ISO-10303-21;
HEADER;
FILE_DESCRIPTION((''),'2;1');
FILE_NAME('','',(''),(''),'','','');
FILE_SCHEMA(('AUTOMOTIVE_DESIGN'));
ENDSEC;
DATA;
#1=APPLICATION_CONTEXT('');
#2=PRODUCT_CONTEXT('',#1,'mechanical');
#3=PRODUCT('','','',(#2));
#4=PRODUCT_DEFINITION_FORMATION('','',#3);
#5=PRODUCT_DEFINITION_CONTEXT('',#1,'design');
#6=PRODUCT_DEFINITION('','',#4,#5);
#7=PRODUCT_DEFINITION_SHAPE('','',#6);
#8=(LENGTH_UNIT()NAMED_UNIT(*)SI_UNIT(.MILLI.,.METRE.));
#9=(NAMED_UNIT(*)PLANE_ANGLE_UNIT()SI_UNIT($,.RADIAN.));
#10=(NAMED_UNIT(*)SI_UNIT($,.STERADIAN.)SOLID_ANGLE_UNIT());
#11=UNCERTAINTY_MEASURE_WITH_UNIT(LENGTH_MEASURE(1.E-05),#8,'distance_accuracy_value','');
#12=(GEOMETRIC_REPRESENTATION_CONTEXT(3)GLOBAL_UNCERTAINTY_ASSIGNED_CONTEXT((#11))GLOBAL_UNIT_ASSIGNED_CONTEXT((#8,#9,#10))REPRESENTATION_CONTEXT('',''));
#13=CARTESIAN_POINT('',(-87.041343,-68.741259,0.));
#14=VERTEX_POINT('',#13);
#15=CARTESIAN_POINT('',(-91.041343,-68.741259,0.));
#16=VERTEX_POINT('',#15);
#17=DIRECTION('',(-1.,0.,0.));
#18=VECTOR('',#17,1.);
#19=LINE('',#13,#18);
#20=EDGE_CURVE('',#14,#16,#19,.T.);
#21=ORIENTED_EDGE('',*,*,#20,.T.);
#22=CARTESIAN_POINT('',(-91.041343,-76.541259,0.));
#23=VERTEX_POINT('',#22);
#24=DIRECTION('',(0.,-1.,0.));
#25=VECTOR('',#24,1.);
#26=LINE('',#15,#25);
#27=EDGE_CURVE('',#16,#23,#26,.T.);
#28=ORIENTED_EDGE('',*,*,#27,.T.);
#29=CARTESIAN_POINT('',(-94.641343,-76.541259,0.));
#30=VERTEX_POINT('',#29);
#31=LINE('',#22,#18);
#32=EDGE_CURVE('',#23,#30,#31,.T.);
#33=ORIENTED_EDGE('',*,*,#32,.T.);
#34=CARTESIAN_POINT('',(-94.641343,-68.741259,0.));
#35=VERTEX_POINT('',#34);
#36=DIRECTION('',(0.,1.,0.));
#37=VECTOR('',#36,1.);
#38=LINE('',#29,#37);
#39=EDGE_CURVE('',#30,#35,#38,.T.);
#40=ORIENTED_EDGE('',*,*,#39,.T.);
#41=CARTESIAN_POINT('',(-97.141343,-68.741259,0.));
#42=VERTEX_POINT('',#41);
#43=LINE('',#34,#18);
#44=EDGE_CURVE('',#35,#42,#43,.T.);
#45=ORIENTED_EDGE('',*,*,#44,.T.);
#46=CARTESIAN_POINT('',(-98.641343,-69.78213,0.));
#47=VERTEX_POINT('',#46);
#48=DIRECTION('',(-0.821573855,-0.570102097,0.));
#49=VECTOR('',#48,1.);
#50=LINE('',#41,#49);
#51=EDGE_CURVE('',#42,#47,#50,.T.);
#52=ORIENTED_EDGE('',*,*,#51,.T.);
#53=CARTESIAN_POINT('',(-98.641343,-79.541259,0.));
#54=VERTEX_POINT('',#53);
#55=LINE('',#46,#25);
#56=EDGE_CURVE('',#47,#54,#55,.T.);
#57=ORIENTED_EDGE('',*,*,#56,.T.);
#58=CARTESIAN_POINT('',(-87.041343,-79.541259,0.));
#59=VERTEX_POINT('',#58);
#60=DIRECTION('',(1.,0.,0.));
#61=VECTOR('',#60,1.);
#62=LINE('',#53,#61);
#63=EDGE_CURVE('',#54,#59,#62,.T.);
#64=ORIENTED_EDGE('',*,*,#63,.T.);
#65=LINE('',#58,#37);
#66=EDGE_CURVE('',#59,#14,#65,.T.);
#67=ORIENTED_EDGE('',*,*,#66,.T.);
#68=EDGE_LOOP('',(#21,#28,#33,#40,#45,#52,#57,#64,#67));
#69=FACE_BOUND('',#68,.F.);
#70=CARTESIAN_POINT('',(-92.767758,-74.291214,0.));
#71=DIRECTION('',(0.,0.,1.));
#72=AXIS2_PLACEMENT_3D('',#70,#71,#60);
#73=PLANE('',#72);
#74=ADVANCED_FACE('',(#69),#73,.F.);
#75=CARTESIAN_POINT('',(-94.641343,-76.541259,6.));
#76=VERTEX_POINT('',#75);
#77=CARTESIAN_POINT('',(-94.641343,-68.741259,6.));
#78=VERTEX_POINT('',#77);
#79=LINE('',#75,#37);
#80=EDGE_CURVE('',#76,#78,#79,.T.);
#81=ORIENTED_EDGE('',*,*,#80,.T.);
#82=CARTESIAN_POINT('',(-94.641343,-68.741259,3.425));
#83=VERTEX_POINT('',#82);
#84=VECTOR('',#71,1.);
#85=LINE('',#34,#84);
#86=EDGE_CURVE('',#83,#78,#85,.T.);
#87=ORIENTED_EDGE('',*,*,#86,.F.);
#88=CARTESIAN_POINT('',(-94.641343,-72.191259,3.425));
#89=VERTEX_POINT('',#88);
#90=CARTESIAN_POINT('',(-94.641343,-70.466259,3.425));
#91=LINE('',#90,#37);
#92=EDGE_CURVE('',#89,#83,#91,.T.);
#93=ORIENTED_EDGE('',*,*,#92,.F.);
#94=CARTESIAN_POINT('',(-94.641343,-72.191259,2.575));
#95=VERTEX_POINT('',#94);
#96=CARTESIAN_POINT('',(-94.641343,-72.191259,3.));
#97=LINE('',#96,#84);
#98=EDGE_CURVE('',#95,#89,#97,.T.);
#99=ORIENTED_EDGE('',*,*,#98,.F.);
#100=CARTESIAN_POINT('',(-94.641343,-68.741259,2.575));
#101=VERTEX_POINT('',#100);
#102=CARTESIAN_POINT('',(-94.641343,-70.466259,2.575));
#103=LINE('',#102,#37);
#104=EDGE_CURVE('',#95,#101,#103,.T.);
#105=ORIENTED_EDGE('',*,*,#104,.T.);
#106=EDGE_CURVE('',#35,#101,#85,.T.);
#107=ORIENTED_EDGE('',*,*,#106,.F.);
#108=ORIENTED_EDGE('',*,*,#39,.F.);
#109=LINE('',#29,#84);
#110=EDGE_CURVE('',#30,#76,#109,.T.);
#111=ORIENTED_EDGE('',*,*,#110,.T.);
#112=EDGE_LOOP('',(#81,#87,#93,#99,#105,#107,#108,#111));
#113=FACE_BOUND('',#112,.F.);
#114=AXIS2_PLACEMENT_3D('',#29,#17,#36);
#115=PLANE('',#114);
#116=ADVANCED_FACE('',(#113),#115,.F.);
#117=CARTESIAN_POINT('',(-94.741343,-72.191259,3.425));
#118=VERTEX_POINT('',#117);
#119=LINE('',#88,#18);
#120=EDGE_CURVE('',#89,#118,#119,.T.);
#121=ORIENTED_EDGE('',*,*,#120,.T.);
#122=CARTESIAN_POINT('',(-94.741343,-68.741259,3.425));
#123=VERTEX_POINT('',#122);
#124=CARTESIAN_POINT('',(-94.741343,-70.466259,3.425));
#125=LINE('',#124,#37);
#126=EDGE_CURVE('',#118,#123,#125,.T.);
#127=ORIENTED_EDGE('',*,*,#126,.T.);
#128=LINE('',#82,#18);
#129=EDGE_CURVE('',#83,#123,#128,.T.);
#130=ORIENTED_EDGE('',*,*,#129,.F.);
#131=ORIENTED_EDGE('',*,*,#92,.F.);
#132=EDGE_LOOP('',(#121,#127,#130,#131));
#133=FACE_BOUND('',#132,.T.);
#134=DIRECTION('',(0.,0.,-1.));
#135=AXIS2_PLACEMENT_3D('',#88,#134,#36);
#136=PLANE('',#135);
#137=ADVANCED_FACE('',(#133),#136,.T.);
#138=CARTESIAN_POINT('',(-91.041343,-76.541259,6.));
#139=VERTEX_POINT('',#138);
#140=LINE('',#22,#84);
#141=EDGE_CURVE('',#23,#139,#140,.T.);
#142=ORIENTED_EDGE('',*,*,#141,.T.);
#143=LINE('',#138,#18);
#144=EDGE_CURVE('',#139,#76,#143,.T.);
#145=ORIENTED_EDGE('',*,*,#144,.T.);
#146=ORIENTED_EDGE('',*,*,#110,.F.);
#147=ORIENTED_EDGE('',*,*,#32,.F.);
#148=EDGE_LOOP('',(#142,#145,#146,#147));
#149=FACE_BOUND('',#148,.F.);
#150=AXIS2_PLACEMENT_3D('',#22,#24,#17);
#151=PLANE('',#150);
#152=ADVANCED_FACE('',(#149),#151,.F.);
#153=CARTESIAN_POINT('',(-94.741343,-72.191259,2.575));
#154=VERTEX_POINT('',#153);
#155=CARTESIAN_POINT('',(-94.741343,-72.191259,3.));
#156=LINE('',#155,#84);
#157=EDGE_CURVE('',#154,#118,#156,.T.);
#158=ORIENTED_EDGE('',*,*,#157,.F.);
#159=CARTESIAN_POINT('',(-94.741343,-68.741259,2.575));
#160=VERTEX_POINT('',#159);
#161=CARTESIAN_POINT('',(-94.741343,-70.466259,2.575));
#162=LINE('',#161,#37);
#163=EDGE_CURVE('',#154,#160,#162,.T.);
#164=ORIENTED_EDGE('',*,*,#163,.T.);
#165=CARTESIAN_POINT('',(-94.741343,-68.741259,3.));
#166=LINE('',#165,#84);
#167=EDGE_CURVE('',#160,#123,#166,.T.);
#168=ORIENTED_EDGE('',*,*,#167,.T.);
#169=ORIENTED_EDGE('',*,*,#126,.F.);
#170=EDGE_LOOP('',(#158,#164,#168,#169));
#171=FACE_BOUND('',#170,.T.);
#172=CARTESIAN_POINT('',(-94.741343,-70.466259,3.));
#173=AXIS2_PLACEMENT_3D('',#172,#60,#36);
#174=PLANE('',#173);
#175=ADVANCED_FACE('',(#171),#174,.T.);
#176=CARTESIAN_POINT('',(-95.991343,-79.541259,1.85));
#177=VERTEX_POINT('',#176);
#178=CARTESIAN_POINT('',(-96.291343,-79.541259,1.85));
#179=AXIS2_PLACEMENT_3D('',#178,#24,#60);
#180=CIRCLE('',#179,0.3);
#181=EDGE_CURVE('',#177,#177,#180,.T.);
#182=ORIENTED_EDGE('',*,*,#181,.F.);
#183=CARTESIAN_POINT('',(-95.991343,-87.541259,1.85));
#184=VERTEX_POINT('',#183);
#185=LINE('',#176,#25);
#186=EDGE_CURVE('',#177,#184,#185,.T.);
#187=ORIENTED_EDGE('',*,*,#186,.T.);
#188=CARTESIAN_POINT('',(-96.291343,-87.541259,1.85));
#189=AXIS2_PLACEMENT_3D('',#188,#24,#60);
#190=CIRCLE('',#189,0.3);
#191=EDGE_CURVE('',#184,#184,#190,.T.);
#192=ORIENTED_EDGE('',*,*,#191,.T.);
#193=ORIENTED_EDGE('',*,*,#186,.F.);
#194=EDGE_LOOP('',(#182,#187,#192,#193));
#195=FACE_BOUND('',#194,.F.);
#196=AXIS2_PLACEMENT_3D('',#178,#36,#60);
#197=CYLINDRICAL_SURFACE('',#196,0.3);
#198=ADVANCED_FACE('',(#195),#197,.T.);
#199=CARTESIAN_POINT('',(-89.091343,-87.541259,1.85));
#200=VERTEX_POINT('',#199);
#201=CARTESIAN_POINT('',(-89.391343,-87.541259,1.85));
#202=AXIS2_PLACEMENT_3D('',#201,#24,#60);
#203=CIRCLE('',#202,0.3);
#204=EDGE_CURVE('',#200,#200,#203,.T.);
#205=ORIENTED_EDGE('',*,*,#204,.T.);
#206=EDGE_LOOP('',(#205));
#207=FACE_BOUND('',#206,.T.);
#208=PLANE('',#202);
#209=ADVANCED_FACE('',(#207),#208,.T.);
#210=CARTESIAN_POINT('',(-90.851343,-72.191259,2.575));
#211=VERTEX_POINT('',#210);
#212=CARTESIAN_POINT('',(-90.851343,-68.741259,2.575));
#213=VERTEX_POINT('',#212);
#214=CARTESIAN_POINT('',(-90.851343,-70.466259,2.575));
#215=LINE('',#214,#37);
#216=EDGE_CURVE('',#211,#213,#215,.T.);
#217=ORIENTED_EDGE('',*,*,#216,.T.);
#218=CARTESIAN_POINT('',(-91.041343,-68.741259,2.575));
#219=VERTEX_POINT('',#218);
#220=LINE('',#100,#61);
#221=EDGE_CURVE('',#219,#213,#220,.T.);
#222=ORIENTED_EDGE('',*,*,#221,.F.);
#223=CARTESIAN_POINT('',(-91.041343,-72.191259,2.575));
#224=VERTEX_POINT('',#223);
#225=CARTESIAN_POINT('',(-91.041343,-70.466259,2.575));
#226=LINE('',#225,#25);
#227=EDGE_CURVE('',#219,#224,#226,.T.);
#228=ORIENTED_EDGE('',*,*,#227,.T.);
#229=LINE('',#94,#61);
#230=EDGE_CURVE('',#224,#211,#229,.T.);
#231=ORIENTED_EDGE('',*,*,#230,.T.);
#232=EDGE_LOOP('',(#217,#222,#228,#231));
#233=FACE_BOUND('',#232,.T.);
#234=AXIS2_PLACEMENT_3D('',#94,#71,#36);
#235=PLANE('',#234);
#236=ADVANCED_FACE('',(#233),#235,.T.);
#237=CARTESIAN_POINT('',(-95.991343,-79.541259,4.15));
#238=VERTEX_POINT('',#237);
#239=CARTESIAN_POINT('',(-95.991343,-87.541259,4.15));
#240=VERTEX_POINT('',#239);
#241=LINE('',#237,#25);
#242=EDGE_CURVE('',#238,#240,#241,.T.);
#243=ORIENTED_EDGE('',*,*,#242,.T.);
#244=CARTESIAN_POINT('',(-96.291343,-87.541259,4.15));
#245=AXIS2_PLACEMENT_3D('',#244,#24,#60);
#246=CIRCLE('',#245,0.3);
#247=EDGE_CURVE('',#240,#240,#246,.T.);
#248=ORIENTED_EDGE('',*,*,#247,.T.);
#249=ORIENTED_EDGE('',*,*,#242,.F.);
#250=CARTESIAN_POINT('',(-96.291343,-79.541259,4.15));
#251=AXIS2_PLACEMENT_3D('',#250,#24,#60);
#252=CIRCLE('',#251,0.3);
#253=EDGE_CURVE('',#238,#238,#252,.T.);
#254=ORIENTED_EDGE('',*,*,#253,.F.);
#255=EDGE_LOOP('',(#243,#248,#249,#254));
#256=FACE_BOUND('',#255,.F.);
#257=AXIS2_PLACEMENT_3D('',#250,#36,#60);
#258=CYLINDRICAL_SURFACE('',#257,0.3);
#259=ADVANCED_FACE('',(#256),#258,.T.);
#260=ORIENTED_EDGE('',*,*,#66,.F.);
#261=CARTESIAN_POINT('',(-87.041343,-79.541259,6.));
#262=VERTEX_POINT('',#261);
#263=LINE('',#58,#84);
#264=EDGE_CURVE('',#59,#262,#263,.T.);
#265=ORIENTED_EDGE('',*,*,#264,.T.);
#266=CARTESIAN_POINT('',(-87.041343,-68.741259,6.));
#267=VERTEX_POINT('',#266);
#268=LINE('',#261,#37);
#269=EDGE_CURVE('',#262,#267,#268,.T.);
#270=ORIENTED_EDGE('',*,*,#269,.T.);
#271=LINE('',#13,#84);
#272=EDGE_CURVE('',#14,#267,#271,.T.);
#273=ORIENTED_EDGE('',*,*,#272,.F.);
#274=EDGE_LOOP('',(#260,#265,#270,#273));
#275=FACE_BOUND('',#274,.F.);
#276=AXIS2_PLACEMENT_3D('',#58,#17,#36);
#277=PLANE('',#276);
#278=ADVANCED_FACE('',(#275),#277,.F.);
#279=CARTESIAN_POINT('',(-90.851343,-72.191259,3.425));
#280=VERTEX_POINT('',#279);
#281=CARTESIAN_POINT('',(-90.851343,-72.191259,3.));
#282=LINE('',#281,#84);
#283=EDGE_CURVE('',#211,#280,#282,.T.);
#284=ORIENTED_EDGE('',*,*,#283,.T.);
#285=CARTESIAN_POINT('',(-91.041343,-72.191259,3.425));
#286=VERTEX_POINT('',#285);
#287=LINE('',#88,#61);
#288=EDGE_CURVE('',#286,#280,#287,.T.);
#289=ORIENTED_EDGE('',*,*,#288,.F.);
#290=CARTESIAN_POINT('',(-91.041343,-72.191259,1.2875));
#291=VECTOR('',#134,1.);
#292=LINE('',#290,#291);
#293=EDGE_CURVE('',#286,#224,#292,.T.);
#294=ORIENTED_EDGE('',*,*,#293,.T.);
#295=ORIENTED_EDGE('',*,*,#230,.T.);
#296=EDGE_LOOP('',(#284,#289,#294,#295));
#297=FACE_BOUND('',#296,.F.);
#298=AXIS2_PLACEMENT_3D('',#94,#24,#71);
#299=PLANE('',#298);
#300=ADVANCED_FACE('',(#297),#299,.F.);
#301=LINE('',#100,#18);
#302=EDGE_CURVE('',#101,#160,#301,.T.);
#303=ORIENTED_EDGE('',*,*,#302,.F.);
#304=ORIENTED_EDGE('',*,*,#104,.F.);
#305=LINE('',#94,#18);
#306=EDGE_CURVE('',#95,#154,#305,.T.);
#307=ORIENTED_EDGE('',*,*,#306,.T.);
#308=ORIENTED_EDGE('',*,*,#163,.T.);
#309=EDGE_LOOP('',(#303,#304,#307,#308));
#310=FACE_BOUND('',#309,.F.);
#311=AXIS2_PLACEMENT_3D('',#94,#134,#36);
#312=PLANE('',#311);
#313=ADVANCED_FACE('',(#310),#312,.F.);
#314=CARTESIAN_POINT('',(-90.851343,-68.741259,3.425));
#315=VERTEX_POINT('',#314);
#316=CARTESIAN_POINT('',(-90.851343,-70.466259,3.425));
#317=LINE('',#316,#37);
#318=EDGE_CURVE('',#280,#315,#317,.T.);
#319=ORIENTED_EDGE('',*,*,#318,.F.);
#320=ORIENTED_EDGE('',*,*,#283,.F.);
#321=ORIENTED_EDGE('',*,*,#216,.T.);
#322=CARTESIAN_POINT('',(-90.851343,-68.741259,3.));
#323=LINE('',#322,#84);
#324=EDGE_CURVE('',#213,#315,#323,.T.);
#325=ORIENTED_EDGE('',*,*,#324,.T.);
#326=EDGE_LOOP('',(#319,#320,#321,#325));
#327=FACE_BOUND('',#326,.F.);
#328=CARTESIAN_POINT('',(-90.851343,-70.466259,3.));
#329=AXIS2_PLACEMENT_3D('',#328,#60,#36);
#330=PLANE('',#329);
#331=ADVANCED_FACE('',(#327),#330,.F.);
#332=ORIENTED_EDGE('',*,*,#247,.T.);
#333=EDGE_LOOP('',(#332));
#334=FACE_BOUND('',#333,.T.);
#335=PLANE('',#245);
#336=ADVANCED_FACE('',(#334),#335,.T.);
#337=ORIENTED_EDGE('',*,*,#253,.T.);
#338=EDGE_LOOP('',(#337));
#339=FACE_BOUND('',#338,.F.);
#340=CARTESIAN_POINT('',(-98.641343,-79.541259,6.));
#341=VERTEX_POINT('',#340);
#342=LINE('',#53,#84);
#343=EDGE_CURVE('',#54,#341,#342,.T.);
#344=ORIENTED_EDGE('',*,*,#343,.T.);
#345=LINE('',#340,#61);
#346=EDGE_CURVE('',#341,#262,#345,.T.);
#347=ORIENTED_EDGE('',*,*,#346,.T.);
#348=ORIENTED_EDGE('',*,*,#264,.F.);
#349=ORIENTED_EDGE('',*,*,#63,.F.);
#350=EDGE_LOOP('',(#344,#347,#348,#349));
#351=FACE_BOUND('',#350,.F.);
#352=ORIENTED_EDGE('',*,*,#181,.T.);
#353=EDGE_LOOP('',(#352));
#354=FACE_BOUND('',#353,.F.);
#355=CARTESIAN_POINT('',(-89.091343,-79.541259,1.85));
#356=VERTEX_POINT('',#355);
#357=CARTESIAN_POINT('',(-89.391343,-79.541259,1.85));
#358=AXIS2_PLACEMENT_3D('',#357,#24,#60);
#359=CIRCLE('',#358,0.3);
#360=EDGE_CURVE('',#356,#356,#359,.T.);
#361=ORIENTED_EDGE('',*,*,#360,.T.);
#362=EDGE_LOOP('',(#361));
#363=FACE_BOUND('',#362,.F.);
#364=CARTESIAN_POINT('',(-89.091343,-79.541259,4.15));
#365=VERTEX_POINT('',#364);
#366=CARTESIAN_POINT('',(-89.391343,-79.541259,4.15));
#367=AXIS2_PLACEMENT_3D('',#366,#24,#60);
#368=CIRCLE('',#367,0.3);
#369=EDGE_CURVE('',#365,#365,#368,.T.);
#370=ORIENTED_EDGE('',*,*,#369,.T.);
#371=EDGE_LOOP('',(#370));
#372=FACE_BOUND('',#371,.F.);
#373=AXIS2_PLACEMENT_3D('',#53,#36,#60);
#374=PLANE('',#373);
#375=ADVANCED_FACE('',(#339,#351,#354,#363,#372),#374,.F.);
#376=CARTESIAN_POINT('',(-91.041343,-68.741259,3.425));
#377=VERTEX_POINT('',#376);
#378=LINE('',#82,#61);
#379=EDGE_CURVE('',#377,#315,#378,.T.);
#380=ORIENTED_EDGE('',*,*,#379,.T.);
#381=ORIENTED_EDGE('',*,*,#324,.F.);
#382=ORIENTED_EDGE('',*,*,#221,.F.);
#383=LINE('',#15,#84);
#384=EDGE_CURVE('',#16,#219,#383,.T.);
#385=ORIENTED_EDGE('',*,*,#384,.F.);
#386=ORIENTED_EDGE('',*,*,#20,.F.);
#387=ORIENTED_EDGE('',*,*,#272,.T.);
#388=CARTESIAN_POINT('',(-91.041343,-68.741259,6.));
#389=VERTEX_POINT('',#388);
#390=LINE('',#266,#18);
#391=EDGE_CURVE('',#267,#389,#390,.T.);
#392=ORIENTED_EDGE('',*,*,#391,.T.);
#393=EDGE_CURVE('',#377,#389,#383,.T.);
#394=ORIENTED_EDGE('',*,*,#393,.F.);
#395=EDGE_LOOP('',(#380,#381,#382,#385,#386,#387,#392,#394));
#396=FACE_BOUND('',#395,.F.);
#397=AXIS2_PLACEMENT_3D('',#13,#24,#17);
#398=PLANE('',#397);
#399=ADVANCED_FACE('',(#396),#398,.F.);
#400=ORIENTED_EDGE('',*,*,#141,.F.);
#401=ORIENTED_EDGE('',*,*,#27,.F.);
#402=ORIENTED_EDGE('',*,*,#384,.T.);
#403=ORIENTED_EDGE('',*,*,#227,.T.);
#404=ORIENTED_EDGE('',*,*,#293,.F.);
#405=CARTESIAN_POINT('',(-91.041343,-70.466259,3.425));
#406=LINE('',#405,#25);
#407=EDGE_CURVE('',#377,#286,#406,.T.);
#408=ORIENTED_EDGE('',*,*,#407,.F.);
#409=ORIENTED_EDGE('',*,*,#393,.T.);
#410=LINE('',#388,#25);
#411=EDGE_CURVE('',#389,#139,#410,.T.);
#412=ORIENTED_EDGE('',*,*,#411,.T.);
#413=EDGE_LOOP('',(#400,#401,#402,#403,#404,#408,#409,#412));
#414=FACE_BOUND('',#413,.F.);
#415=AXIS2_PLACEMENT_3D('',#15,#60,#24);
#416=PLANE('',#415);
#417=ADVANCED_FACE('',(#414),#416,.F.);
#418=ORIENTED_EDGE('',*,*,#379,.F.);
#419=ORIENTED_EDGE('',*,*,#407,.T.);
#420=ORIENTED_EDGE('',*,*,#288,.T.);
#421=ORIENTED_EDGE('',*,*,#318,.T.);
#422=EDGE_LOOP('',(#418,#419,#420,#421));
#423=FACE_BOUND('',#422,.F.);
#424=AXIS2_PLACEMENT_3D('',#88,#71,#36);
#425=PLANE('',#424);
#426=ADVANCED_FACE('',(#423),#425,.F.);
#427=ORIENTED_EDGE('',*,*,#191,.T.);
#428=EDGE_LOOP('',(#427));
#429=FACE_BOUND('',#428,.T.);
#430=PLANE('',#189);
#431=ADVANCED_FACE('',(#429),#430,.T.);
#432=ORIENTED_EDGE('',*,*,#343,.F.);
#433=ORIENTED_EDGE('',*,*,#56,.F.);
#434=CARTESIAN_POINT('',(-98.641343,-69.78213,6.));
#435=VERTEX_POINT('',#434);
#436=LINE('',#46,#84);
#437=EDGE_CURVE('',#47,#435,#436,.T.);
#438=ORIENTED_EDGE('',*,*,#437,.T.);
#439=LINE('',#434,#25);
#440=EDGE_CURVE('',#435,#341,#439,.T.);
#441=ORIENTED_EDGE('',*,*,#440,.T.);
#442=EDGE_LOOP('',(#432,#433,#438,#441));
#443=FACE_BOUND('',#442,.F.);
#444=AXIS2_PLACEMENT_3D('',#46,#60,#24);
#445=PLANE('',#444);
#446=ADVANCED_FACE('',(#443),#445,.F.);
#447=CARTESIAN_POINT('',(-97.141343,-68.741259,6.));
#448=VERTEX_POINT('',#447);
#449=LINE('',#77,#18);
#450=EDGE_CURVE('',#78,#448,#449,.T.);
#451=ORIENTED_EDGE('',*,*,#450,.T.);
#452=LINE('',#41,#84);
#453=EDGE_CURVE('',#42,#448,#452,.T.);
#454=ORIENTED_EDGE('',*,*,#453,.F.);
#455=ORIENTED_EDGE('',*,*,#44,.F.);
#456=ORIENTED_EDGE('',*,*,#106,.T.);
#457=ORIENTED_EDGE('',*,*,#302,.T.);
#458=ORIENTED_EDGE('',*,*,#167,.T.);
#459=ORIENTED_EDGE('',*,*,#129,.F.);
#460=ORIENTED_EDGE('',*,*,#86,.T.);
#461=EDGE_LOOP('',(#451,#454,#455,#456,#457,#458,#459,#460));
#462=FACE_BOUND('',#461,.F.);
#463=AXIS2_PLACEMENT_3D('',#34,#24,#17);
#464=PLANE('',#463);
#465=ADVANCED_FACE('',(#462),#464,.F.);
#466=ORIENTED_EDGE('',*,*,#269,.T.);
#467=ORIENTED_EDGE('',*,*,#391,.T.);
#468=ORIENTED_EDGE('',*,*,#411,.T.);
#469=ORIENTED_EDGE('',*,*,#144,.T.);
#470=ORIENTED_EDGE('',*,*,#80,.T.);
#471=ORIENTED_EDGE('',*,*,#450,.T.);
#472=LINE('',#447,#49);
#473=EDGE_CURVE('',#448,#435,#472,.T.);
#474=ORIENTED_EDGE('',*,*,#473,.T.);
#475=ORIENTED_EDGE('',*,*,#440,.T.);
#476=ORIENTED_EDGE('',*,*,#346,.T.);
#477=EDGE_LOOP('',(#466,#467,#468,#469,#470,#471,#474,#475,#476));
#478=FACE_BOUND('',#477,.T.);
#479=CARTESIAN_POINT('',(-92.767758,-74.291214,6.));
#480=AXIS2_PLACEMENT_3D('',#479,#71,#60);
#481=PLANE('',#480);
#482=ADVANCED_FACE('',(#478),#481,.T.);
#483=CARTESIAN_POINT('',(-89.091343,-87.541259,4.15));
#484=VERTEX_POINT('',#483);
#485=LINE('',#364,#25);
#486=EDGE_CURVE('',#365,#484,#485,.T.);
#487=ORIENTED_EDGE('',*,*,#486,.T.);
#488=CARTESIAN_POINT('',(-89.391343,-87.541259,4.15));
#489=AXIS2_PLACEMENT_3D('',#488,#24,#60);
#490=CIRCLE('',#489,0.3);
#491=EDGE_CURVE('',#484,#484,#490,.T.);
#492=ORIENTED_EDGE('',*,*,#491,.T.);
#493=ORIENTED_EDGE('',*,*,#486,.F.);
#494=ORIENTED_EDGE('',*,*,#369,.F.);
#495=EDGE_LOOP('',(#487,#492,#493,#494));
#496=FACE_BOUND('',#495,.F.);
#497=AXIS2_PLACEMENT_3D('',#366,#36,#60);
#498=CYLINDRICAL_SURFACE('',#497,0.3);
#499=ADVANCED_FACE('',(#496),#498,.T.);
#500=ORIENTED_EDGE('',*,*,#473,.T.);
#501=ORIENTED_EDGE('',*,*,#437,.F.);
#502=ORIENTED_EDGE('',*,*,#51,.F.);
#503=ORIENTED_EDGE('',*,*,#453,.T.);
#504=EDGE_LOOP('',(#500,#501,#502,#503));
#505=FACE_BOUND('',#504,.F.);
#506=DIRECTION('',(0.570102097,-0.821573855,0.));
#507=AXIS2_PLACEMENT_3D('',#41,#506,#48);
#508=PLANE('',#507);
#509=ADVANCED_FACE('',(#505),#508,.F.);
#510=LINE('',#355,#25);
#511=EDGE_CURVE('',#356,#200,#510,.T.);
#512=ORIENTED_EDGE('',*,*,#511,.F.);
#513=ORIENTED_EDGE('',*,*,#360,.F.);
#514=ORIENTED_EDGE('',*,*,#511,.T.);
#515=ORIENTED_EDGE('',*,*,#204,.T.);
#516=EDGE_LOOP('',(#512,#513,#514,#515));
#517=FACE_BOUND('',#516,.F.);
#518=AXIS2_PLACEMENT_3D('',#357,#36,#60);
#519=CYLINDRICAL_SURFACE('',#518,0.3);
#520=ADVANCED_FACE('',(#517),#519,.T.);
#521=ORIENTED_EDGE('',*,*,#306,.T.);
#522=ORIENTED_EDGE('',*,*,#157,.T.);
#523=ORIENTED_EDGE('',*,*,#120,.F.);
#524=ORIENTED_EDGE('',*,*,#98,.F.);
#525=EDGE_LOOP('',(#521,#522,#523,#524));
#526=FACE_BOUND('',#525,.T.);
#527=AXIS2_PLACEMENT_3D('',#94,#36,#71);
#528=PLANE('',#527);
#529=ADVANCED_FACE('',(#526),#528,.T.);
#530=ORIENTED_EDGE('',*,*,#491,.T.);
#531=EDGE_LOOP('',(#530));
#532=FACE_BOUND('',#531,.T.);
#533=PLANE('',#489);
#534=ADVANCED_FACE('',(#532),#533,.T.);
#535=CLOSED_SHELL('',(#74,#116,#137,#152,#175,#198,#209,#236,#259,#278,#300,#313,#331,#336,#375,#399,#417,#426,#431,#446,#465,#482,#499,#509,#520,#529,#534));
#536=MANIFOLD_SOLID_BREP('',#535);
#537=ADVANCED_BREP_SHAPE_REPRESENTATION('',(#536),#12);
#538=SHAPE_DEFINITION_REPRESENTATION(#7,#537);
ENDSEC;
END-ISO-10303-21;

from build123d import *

# Parameters (mm, degrees)
F1_DEPTH      = 6
F2_W          = 3.45
F2_H          = 0.85
F3_DEPTH      = 0.1
F3_DEPTH_BACK = 3.79
F4_R          = 0.3
F5_DEPTH      = 8


with BuildPart() as f1:
    # F0 (on Top) → F1 (new body)
    with BuildSketch(Plane.XY):
        Polygon((-98.6413434148, -69.7821304202), (-98.6413434148, -79.5412585139), (-87.0413434148, -79.5412585139), (-87.0413434148, -68.7412585139), (-91.0413434148, -68.7412585139), (-91.0413434148, -76.5412585139), (-94.6413434148, -76.5412585139), (-94.6413434148, -68.7412585139), (-97.1413434148, -68.7412585139), align=None)
    extrude(amount=F1_DEPTH)

    # F2 (on face) → F3 (cut, two sides)
    with BuildSketch(Plane.YZ.offset(-94.6413434148)) as f3_sk:
        with Locations((-70.4662585139, 3)):
            Rectangle(F2_W, F2_H)
    extrude(amount=-F3_DEPTH, mode=Mode.SUBTRACT)
    extrude(f3_sk.sketch, amount=F3_DEPTH_BACK, mode=Mode.SUBTRACT)

    # F4 (on face) → F5 (join)
    with BuildSketch(Plane.XZ.offset(79.5412585139)):
        with Locations((-96.2913434148, 4.15)):
            Circle(F4_R)
        with Locations((-96.2913434148, 1.85)):
            Circle(F4_R)
        with Locations((-89.3913434148, 4.15)):
            Circle(F4_R)
        with Locations((-89.3913434148, 1.85)):
            Circle(F4_R)
    extrude(amount=F5_DEPTH)


solid = f1.part
